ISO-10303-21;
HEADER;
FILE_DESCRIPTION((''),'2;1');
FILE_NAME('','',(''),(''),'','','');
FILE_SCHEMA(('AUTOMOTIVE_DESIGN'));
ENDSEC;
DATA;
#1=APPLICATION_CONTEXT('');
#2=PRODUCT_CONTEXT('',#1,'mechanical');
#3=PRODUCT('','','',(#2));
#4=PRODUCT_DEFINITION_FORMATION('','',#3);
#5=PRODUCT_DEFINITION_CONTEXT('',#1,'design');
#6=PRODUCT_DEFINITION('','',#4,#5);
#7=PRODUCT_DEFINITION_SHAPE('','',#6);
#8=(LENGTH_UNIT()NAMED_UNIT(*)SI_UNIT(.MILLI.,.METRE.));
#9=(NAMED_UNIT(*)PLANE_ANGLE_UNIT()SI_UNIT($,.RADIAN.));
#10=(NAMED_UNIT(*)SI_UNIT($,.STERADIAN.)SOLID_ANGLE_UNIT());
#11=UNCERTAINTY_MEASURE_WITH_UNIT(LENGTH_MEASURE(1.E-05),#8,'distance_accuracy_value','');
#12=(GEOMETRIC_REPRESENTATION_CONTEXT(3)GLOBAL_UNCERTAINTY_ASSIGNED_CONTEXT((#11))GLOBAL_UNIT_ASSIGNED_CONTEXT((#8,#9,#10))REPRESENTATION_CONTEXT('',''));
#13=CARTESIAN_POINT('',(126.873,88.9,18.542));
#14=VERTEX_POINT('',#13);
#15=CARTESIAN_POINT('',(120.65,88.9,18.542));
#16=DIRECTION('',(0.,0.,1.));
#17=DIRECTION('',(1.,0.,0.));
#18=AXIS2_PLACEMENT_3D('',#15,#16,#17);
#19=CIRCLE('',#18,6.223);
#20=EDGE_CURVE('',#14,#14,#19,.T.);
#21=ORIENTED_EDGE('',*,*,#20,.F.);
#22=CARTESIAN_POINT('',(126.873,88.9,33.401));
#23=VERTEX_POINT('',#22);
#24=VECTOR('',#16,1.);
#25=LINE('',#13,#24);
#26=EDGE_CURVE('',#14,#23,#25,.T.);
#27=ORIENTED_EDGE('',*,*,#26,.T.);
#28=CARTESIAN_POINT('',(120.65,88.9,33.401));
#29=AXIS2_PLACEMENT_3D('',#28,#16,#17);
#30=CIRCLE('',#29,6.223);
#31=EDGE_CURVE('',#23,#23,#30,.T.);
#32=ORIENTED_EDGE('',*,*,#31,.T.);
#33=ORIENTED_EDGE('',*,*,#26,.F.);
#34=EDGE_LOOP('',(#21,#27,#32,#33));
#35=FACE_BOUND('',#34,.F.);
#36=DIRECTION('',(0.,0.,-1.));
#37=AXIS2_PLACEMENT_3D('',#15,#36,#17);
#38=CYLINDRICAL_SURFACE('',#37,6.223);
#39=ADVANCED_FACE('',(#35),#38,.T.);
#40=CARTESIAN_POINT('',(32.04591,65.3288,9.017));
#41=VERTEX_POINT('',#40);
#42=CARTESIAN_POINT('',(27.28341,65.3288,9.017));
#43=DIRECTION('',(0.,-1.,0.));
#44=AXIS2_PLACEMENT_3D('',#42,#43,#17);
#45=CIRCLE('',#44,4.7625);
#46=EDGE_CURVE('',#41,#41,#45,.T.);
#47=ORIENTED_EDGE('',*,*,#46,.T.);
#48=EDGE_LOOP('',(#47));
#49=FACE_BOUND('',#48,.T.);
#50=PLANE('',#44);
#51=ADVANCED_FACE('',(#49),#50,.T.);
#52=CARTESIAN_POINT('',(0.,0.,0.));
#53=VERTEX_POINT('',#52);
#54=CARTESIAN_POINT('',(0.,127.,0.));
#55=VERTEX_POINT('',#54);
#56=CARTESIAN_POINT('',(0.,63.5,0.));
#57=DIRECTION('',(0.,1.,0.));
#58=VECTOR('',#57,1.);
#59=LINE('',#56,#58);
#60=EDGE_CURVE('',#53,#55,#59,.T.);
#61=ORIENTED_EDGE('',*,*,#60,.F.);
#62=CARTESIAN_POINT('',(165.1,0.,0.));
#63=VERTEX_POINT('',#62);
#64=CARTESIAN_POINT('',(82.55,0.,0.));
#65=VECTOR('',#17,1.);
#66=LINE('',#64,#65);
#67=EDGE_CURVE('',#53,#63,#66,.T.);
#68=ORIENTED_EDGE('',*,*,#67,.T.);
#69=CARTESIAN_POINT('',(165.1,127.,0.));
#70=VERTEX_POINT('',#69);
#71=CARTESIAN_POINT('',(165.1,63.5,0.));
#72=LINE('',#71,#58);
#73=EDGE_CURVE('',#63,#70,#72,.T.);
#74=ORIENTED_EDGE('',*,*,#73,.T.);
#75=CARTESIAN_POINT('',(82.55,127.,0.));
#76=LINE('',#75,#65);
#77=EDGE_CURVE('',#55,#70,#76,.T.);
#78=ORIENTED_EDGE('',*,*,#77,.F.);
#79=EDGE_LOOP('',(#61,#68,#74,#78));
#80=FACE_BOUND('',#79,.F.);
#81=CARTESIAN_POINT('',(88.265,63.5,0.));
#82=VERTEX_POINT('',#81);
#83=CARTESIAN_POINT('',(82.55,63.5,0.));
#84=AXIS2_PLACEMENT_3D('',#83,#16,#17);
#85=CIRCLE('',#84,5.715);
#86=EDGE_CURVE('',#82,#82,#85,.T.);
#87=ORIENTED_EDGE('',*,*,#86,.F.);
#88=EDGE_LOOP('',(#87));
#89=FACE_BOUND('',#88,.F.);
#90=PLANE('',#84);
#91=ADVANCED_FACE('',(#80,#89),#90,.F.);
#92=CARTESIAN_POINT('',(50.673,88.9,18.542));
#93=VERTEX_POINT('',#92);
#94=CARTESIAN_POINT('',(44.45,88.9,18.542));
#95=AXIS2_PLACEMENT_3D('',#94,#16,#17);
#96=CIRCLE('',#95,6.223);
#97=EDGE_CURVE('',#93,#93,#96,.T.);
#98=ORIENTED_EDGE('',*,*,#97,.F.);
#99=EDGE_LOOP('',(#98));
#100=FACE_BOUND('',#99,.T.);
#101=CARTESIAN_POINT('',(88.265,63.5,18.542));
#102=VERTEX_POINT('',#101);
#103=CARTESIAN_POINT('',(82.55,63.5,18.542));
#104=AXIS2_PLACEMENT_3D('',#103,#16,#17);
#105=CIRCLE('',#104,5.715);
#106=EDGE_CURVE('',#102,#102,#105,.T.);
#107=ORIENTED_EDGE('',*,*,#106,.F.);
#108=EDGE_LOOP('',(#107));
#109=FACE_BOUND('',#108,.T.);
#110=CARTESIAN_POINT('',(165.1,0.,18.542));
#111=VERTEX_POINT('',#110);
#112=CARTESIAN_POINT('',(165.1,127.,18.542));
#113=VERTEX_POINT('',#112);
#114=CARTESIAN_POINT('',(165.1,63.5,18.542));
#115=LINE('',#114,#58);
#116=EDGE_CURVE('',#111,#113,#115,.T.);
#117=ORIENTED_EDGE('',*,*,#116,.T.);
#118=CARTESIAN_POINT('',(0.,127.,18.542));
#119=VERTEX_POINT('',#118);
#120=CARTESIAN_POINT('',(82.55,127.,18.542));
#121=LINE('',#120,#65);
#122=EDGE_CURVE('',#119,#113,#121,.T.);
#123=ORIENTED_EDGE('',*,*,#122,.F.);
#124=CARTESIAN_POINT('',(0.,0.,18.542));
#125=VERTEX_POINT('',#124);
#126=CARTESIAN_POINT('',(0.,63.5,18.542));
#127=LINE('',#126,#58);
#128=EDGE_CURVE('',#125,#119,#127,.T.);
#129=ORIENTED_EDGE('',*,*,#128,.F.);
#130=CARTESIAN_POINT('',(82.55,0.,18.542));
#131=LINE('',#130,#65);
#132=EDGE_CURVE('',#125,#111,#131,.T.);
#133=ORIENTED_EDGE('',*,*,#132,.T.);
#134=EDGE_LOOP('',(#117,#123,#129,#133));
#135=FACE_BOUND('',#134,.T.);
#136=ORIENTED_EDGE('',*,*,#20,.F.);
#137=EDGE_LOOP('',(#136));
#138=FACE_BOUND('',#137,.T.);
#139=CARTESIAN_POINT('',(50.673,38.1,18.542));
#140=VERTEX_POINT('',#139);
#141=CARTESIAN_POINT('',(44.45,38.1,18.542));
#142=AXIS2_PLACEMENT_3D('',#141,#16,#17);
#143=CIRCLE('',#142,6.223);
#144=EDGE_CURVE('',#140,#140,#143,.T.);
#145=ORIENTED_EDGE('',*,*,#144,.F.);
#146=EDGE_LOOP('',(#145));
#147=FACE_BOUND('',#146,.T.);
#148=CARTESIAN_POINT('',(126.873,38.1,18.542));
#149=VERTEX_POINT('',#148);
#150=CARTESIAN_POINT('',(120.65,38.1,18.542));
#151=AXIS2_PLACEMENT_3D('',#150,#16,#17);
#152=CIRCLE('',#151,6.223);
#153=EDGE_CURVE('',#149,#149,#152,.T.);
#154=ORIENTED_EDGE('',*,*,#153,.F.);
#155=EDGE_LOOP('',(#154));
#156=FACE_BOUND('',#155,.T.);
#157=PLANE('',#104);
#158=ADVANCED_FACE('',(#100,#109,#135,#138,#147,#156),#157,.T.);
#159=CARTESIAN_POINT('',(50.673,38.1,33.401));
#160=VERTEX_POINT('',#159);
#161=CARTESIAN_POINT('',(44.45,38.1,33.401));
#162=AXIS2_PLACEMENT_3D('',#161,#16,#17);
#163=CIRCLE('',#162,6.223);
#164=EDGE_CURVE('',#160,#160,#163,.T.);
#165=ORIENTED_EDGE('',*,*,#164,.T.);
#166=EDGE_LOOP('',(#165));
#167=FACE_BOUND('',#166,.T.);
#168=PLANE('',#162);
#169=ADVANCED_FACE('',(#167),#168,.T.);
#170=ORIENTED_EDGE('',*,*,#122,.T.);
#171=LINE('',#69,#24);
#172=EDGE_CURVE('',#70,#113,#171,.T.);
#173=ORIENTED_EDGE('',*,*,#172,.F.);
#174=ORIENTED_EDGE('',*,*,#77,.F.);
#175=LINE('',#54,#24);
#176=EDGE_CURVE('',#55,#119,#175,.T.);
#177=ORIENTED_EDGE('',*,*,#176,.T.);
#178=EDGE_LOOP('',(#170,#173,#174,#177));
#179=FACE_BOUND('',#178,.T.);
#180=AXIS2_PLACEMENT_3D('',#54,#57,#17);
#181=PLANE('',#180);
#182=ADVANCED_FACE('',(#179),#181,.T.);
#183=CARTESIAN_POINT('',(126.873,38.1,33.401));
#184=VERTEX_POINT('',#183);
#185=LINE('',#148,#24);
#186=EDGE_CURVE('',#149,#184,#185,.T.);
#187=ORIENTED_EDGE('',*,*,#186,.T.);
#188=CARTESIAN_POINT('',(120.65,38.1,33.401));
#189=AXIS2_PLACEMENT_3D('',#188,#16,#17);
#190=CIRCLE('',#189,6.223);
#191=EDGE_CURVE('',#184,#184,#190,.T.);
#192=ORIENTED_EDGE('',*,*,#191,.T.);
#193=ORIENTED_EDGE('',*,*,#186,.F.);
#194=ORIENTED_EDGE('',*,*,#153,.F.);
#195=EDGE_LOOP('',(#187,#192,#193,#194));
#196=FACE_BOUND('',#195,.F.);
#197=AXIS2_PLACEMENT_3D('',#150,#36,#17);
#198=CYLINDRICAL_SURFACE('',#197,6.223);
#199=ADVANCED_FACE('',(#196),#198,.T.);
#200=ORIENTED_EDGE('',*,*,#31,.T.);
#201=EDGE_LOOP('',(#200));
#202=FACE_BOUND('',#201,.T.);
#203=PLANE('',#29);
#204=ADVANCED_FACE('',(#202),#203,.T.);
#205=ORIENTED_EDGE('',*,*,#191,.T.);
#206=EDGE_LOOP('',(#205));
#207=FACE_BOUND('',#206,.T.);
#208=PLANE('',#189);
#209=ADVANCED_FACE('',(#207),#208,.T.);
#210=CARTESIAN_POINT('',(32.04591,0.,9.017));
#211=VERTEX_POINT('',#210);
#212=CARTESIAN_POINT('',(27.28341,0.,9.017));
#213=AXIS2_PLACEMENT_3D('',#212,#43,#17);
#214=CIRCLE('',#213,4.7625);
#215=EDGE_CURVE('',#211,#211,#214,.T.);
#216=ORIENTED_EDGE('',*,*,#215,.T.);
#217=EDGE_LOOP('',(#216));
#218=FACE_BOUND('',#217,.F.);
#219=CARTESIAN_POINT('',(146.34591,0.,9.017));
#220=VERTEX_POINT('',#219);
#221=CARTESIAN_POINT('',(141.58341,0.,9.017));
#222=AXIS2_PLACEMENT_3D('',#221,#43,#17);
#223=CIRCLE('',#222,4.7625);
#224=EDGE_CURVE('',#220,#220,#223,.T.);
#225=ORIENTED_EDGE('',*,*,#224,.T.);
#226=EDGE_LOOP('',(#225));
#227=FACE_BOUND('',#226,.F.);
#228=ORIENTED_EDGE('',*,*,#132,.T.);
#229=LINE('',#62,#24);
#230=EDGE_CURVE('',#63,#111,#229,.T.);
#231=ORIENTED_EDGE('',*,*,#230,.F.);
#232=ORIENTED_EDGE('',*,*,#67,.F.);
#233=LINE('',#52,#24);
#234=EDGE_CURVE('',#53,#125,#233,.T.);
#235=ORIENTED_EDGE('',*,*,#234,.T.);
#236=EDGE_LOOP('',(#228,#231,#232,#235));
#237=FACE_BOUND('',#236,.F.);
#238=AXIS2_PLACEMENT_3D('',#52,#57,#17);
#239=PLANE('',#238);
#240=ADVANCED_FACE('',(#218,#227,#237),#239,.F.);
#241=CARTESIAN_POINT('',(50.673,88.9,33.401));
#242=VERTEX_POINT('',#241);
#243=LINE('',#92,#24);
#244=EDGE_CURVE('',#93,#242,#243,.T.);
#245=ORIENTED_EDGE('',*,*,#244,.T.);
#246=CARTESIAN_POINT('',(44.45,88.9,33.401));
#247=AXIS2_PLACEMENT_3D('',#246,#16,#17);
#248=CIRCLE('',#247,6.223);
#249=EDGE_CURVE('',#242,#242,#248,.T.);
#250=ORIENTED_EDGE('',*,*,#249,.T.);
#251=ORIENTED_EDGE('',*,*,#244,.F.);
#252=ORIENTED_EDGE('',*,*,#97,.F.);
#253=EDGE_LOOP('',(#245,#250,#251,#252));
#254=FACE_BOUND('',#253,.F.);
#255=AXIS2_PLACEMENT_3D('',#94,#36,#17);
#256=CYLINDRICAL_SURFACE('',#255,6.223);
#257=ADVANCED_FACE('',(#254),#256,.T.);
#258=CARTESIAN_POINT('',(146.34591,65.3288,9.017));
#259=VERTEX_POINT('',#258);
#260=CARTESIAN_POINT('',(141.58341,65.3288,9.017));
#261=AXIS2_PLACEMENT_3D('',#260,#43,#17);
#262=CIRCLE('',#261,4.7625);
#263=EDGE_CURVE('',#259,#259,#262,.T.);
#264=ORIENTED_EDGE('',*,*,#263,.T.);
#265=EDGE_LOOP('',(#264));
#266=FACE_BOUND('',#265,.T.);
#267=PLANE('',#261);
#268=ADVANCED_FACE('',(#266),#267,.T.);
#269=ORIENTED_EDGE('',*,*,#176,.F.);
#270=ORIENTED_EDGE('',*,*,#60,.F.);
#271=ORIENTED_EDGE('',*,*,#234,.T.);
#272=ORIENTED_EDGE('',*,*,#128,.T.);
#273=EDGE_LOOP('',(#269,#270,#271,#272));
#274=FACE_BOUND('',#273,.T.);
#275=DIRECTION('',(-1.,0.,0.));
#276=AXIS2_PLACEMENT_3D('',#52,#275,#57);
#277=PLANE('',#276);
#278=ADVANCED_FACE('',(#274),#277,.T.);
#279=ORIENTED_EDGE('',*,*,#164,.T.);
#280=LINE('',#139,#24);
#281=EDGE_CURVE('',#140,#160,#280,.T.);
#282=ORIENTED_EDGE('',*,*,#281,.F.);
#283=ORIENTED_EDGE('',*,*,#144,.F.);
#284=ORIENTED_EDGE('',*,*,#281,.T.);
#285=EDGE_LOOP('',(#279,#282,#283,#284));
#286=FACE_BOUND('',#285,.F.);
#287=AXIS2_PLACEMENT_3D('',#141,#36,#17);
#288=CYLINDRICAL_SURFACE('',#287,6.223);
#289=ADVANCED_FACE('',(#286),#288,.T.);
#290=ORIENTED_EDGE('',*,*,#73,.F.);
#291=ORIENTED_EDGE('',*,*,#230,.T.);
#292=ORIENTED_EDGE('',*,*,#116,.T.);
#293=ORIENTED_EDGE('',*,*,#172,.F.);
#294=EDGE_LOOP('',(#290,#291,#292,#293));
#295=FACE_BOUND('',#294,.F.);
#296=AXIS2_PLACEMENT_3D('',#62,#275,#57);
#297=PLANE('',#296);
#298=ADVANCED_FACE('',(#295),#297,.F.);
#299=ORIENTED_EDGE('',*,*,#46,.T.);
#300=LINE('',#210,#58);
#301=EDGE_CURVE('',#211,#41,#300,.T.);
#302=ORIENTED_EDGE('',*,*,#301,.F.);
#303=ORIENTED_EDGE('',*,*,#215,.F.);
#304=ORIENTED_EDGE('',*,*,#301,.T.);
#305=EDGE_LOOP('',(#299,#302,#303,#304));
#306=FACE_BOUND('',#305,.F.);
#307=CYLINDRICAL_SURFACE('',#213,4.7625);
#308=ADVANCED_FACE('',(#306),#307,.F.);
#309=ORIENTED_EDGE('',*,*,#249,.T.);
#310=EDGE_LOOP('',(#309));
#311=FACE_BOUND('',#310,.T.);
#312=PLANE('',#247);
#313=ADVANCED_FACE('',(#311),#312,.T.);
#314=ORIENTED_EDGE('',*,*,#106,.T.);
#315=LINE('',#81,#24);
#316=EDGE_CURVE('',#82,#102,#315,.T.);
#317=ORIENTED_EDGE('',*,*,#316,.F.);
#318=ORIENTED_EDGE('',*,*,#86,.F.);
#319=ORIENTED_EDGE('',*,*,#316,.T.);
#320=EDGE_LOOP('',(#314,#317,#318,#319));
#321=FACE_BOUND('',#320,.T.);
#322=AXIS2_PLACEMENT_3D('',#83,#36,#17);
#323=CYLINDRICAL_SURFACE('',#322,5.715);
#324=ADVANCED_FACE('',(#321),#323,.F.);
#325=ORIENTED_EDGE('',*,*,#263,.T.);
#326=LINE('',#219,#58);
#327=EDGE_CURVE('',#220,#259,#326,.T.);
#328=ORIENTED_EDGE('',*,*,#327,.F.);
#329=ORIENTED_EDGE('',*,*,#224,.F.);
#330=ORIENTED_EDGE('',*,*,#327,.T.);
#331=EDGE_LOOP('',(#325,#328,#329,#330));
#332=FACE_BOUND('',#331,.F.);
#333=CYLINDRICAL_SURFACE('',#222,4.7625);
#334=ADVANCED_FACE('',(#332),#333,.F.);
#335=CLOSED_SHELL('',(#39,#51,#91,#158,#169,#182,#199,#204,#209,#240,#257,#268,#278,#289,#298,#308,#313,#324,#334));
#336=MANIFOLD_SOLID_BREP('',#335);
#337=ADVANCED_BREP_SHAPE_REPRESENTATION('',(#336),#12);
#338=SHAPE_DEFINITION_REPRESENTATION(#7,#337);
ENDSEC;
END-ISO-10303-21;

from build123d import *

# Parameters (mm, degrees)
F0_W     = 165.1
F0_H     = 127
F0_R     = 5.715
F1_DEPTH = 18.542
F2_R     = 6.223
F3_DEPTH = 14.859
F4_R     = 4.7625
F5_DEPTH = 65.3288


with BuildPart() as f1:
    # F0 (on Top) → F1 (new body)
    with BuildSketch(Plane.XY):
        with Locations((82.55, 63.5)):
            Rectangle(F0_W, F0_H)
        with Locations((82.55, 63.5)):
            Circle(F0_R, mode=Mode.SUBTRACT)
    extrude(amount=F1_DEPTH)

    # F2 (on face) → F3 (join)
    with BuildSketch(Plane.XY.offset(18.542)):
        with Locations((44.45, 88.9)):
            Circle(F2_R)
        with Locations((120.65, 88.9)):
            Circle(F2_R)
        with Locations((120.65, 38.1)):
            Circle(F2_R)
        with Locations((44.45, 38.1)):
            Circle(F2_R)
    extrude(amount=F3_DEPTH)

    # F4 (on face) → F5 (cut)
    with BuildSketch(Plane.XZ):
        with Locations((27.28341, 9.017)):
            Circle(F4_R)
        with Locations((141.58341, 9.017)):
            Circle(F4_R)
    extrude(amount=-F5_DEPTH, mode=Mode.SUBTRACT)


solid = f1.part
